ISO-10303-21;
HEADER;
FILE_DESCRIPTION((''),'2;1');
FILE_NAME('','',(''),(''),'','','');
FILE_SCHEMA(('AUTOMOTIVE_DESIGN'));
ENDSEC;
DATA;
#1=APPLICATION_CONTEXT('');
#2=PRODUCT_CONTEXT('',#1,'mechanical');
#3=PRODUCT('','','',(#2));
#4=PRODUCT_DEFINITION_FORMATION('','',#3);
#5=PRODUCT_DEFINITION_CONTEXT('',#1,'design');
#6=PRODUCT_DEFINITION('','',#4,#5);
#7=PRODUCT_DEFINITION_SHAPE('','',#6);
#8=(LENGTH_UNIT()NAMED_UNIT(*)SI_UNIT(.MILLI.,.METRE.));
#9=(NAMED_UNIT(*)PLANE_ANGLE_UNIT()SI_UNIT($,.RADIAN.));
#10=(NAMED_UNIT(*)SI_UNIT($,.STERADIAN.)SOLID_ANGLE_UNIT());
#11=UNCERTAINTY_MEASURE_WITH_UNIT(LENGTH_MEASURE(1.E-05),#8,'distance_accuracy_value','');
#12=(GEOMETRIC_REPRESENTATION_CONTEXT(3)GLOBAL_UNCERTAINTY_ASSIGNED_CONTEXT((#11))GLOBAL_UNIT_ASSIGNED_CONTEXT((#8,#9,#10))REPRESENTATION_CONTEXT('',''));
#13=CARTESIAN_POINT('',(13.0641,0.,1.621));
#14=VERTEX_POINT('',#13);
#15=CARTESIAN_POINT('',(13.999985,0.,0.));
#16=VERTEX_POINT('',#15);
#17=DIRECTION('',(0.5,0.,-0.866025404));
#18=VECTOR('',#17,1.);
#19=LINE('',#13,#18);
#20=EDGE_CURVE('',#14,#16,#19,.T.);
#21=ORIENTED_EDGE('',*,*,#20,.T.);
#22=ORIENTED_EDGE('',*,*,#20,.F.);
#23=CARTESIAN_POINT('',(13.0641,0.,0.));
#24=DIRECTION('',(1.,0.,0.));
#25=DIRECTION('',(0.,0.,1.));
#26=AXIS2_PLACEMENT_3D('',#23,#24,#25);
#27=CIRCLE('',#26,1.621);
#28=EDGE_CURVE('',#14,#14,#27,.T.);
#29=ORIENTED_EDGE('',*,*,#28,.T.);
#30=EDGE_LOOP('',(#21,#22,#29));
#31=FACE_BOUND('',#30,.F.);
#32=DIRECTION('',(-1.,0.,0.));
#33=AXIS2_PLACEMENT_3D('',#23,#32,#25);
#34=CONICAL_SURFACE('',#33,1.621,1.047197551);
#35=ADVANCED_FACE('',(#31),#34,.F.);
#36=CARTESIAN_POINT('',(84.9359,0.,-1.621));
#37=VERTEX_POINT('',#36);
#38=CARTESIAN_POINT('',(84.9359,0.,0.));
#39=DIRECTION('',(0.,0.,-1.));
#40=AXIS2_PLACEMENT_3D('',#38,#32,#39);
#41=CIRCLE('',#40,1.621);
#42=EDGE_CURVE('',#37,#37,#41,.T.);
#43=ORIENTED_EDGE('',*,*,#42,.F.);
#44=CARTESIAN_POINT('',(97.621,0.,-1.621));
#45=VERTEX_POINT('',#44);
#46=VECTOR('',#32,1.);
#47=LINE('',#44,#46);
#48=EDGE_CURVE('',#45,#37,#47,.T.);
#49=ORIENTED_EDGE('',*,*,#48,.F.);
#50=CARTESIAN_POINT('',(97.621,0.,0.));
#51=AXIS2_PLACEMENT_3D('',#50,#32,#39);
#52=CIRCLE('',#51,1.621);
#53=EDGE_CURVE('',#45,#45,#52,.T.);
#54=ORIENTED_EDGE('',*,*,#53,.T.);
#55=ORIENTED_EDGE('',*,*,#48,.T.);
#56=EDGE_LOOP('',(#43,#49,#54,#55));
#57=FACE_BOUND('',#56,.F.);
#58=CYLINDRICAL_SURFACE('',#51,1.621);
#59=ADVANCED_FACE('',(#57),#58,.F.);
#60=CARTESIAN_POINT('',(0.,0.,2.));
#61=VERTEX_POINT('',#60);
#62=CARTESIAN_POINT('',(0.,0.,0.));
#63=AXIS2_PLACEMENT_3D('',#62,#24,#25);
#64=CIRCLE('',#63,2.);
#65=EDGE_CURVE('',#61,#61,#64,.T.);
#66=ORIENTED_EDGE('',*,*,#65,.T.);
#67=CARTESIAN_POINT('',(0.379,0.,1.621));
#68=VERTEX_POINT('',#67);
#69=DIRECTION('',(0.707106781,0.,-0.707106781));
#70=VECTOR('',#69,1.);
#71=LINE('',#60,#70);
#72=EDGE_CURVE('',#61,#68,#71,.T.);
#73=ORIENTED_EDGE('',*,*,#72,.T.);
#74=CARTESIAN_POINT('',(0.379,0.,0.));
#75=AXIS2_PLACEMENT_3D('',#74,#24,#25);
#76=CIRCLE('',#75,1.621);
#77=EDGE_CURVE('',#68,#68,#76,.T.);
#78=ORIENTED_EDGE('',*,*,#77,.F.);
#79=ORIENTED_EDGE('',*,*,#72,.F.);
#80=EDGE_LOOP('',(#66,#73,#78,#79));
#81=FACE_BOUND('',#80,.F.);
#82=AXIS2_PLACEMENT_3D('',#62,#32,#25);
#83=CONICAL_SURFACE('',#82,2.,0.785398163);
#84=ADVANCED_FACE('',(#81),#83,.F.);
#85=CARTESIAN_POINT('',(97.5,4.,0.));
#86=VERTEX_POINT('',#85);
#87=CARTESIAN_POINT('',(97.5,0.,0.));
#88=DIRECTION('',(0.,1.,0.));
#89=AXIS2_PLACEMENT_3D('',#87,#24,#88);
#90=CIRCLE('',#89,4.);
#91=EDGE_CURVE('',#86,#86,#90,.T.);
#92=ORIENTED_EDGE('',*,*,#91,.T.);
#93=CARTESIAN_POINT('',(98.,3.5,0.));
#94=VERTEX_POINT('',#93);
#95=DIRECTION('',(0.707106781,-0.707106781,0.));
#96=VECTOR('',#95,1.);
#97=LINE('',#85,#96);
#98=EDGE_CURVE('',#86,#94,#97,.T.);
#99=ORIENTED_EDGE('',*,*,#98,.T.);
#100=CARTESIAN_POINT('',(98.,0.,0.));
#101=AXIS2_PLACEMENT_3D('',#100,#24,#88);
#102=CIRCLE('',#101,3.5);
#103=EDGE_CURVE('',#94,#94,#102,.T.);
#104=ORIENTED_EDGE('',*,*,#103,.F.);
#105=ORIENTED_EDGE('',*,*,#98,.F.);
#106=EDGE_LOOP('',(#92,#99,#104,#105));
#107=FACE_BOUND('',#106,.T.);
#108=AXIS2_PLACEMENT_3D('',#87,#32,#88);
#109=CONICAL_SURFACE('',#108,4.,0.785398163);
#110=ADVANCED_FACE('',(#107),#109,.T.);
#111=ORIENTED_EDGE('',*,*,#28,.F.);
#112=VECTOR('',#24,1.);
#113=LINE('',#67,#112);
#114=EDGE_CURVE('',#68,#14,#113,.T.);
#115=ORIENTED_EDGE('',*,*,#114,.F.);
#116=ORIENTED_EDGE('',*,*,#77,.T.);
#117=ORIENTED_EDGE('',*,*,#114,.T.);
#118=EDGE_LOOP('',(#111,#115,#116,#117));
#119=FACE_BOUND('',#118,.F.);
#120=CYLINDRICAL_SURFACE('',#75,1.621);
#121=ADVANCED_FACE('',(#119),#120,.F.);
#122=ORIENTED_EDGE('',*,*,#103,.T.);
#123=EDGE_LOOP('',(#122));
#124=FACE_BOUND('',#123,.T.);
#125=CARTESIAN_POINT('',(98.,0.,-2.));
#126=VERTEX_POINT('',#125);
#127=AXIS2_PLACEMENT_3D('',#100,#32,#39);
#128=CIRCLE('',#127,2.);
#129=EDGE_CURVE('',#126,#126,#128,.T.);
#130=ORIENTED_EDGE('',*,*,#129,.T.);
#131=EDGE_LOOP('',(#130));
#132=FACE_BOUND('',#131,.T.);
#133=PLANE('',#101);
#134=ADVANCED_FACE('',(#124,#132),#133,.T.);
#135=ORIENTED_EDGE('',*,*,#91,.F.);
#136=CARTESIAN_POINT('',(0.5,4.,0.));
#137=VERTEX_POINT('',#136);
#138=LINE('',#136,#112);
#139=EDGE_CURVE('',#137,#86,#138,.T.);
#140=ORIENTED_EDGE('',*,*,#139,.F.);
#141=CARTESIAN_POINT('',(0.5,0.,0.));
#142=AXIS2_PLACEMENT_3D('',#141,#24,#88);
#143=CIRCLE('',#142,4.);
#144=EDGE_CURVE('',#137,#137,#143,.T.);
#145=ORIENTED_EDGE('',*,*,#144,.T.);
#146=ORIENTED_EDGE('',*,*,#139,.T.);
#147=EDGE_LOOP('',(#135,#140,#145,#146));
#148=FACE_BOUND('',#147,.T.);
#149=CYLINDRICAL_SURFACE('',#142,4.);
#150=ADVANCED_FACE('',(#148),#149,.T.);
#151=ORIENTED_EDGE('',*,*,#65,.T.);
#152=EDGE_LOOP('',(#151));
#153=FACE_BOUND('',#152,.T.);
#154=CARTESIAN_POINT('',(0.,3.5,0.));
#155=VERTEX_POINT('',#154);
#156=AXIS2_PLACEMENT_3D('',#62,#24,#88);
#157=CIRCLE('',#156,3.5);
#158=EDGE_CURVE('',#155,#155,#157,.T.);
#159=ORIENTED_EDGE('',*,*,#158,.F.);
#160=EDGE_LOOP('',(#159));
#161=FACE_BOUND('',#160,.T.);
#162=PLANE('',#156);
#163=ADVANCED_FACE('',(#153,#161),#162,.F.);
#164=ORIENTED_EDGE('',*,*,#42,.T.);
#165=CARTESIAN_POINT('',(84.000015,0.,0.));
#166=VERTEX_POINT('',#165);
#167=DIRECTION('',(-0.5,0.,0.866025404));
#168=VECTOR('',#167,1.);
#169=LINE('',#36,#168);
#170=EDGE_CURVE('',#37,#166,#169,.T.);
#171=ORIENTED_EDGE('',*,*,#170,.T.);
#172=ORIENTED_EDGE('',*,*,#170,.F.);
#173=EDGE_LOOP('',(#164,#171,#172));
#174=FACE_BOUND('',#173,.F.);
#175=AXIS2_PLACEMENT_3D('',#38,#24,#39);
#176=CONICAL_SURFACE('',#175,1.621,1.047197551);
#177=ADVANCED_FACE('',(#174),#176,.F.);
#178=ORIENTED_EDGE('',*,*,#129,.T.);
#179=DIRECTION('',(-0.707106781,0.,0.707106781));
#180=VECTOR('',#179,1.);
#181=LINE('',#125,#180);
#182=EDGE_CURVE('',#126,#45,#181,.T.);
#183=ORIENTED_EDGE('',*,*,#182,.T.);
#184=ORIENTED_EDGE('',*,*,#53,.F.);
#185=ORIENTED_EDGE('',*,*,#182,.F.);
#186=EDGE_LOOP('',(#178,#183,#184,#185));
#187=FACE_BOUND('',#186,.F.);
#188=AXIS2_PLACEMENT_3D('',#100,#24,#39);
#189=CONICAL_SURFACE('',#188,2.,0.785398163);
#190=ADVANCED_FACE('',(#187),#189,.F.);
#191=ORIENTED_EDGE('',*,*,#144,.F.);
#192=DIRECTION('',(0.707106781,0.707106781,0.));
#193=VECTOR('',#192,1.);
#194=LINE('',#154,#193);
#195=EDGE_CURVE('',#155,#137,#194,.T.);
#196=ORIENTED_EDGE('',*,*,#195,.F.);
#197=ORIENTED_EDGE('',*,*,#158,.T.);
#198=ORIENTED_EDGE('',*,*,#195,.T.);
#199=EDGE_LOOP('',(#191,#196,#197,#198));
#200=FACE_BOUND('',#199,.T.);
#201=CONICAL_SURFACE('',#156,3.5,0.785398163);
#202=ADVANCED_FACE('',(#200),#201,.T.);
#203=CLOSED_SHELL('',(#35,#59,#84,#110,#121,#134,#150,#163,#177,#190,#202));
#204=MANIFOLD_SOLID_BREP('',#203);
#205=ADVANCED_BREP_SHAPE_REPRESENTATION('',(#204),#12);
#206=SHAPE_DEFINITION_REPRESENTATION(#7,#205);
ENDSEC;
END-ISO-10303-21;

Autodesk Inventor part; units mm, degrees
ref_plane "YZ Plane" through (0, 0, 0) normal (1, 0, 0) x (0, 1, 0)
ref_plane "XZ Plane" through (0, 0, 0) normal (0, 1, 0) x (-1, 0, 0)
ref_plane "XY Plane" through (0, 0, 0) normal (0, 0, 1) x (1, 0, 0)
sketch "Sketch_1" plane through (0, 0, 0) normal (0, 0, 1) x (1, 0, 0)
  line L0 (98, 0) -> (0, 0)
  line L1 (0, 0) -> (0, 3.5)
  line L2 (0, 3.5) -> (0.5, 4)
  line L3 (0.5, 4) -> (97.5, 4)
  line L4 (97.5, 4) -> (98, 3.5)
  line L5 (98, 3.5) -> (98, 0)
  line L6 (98, 0) -> (0, 0)
revolve "Revolution1" add sketch "Sketch_1" angle 360 about axis through (98, 0, 0) along (1, 0, 0)
sketch "Sketch2" plane through (0, 0, 0) normal (-1, 0, 0) x (0, 0, 1)
  point P0 (0, 0)
hole "Hole1" at (0, 0, 0) direction (1, 0, 0) diameter 3.242 depth 13.0641 tip angle 120 countersink diameter 4 countersink angle 90 thread size "M4x0.7" class "6H" standard "ISO Metric profile"
sketch "Sketch3" plane through (98, 0, 0) normal (1, 0, 0) x (0, 0, -1)
  point P0 (0, 0)
hole "Hole2" at (98, 0, 0) direction (-1, 0, 0) diameter 3.242 depth 13.0641 tip angle 120 countersink diameter 4 countersink angle 90 thread size "M4x0.7" class "6H" standard "ISO Metric profile"
properties part number "SFHRW8-98-M4-N4" material "鋼、炭素鋼"
